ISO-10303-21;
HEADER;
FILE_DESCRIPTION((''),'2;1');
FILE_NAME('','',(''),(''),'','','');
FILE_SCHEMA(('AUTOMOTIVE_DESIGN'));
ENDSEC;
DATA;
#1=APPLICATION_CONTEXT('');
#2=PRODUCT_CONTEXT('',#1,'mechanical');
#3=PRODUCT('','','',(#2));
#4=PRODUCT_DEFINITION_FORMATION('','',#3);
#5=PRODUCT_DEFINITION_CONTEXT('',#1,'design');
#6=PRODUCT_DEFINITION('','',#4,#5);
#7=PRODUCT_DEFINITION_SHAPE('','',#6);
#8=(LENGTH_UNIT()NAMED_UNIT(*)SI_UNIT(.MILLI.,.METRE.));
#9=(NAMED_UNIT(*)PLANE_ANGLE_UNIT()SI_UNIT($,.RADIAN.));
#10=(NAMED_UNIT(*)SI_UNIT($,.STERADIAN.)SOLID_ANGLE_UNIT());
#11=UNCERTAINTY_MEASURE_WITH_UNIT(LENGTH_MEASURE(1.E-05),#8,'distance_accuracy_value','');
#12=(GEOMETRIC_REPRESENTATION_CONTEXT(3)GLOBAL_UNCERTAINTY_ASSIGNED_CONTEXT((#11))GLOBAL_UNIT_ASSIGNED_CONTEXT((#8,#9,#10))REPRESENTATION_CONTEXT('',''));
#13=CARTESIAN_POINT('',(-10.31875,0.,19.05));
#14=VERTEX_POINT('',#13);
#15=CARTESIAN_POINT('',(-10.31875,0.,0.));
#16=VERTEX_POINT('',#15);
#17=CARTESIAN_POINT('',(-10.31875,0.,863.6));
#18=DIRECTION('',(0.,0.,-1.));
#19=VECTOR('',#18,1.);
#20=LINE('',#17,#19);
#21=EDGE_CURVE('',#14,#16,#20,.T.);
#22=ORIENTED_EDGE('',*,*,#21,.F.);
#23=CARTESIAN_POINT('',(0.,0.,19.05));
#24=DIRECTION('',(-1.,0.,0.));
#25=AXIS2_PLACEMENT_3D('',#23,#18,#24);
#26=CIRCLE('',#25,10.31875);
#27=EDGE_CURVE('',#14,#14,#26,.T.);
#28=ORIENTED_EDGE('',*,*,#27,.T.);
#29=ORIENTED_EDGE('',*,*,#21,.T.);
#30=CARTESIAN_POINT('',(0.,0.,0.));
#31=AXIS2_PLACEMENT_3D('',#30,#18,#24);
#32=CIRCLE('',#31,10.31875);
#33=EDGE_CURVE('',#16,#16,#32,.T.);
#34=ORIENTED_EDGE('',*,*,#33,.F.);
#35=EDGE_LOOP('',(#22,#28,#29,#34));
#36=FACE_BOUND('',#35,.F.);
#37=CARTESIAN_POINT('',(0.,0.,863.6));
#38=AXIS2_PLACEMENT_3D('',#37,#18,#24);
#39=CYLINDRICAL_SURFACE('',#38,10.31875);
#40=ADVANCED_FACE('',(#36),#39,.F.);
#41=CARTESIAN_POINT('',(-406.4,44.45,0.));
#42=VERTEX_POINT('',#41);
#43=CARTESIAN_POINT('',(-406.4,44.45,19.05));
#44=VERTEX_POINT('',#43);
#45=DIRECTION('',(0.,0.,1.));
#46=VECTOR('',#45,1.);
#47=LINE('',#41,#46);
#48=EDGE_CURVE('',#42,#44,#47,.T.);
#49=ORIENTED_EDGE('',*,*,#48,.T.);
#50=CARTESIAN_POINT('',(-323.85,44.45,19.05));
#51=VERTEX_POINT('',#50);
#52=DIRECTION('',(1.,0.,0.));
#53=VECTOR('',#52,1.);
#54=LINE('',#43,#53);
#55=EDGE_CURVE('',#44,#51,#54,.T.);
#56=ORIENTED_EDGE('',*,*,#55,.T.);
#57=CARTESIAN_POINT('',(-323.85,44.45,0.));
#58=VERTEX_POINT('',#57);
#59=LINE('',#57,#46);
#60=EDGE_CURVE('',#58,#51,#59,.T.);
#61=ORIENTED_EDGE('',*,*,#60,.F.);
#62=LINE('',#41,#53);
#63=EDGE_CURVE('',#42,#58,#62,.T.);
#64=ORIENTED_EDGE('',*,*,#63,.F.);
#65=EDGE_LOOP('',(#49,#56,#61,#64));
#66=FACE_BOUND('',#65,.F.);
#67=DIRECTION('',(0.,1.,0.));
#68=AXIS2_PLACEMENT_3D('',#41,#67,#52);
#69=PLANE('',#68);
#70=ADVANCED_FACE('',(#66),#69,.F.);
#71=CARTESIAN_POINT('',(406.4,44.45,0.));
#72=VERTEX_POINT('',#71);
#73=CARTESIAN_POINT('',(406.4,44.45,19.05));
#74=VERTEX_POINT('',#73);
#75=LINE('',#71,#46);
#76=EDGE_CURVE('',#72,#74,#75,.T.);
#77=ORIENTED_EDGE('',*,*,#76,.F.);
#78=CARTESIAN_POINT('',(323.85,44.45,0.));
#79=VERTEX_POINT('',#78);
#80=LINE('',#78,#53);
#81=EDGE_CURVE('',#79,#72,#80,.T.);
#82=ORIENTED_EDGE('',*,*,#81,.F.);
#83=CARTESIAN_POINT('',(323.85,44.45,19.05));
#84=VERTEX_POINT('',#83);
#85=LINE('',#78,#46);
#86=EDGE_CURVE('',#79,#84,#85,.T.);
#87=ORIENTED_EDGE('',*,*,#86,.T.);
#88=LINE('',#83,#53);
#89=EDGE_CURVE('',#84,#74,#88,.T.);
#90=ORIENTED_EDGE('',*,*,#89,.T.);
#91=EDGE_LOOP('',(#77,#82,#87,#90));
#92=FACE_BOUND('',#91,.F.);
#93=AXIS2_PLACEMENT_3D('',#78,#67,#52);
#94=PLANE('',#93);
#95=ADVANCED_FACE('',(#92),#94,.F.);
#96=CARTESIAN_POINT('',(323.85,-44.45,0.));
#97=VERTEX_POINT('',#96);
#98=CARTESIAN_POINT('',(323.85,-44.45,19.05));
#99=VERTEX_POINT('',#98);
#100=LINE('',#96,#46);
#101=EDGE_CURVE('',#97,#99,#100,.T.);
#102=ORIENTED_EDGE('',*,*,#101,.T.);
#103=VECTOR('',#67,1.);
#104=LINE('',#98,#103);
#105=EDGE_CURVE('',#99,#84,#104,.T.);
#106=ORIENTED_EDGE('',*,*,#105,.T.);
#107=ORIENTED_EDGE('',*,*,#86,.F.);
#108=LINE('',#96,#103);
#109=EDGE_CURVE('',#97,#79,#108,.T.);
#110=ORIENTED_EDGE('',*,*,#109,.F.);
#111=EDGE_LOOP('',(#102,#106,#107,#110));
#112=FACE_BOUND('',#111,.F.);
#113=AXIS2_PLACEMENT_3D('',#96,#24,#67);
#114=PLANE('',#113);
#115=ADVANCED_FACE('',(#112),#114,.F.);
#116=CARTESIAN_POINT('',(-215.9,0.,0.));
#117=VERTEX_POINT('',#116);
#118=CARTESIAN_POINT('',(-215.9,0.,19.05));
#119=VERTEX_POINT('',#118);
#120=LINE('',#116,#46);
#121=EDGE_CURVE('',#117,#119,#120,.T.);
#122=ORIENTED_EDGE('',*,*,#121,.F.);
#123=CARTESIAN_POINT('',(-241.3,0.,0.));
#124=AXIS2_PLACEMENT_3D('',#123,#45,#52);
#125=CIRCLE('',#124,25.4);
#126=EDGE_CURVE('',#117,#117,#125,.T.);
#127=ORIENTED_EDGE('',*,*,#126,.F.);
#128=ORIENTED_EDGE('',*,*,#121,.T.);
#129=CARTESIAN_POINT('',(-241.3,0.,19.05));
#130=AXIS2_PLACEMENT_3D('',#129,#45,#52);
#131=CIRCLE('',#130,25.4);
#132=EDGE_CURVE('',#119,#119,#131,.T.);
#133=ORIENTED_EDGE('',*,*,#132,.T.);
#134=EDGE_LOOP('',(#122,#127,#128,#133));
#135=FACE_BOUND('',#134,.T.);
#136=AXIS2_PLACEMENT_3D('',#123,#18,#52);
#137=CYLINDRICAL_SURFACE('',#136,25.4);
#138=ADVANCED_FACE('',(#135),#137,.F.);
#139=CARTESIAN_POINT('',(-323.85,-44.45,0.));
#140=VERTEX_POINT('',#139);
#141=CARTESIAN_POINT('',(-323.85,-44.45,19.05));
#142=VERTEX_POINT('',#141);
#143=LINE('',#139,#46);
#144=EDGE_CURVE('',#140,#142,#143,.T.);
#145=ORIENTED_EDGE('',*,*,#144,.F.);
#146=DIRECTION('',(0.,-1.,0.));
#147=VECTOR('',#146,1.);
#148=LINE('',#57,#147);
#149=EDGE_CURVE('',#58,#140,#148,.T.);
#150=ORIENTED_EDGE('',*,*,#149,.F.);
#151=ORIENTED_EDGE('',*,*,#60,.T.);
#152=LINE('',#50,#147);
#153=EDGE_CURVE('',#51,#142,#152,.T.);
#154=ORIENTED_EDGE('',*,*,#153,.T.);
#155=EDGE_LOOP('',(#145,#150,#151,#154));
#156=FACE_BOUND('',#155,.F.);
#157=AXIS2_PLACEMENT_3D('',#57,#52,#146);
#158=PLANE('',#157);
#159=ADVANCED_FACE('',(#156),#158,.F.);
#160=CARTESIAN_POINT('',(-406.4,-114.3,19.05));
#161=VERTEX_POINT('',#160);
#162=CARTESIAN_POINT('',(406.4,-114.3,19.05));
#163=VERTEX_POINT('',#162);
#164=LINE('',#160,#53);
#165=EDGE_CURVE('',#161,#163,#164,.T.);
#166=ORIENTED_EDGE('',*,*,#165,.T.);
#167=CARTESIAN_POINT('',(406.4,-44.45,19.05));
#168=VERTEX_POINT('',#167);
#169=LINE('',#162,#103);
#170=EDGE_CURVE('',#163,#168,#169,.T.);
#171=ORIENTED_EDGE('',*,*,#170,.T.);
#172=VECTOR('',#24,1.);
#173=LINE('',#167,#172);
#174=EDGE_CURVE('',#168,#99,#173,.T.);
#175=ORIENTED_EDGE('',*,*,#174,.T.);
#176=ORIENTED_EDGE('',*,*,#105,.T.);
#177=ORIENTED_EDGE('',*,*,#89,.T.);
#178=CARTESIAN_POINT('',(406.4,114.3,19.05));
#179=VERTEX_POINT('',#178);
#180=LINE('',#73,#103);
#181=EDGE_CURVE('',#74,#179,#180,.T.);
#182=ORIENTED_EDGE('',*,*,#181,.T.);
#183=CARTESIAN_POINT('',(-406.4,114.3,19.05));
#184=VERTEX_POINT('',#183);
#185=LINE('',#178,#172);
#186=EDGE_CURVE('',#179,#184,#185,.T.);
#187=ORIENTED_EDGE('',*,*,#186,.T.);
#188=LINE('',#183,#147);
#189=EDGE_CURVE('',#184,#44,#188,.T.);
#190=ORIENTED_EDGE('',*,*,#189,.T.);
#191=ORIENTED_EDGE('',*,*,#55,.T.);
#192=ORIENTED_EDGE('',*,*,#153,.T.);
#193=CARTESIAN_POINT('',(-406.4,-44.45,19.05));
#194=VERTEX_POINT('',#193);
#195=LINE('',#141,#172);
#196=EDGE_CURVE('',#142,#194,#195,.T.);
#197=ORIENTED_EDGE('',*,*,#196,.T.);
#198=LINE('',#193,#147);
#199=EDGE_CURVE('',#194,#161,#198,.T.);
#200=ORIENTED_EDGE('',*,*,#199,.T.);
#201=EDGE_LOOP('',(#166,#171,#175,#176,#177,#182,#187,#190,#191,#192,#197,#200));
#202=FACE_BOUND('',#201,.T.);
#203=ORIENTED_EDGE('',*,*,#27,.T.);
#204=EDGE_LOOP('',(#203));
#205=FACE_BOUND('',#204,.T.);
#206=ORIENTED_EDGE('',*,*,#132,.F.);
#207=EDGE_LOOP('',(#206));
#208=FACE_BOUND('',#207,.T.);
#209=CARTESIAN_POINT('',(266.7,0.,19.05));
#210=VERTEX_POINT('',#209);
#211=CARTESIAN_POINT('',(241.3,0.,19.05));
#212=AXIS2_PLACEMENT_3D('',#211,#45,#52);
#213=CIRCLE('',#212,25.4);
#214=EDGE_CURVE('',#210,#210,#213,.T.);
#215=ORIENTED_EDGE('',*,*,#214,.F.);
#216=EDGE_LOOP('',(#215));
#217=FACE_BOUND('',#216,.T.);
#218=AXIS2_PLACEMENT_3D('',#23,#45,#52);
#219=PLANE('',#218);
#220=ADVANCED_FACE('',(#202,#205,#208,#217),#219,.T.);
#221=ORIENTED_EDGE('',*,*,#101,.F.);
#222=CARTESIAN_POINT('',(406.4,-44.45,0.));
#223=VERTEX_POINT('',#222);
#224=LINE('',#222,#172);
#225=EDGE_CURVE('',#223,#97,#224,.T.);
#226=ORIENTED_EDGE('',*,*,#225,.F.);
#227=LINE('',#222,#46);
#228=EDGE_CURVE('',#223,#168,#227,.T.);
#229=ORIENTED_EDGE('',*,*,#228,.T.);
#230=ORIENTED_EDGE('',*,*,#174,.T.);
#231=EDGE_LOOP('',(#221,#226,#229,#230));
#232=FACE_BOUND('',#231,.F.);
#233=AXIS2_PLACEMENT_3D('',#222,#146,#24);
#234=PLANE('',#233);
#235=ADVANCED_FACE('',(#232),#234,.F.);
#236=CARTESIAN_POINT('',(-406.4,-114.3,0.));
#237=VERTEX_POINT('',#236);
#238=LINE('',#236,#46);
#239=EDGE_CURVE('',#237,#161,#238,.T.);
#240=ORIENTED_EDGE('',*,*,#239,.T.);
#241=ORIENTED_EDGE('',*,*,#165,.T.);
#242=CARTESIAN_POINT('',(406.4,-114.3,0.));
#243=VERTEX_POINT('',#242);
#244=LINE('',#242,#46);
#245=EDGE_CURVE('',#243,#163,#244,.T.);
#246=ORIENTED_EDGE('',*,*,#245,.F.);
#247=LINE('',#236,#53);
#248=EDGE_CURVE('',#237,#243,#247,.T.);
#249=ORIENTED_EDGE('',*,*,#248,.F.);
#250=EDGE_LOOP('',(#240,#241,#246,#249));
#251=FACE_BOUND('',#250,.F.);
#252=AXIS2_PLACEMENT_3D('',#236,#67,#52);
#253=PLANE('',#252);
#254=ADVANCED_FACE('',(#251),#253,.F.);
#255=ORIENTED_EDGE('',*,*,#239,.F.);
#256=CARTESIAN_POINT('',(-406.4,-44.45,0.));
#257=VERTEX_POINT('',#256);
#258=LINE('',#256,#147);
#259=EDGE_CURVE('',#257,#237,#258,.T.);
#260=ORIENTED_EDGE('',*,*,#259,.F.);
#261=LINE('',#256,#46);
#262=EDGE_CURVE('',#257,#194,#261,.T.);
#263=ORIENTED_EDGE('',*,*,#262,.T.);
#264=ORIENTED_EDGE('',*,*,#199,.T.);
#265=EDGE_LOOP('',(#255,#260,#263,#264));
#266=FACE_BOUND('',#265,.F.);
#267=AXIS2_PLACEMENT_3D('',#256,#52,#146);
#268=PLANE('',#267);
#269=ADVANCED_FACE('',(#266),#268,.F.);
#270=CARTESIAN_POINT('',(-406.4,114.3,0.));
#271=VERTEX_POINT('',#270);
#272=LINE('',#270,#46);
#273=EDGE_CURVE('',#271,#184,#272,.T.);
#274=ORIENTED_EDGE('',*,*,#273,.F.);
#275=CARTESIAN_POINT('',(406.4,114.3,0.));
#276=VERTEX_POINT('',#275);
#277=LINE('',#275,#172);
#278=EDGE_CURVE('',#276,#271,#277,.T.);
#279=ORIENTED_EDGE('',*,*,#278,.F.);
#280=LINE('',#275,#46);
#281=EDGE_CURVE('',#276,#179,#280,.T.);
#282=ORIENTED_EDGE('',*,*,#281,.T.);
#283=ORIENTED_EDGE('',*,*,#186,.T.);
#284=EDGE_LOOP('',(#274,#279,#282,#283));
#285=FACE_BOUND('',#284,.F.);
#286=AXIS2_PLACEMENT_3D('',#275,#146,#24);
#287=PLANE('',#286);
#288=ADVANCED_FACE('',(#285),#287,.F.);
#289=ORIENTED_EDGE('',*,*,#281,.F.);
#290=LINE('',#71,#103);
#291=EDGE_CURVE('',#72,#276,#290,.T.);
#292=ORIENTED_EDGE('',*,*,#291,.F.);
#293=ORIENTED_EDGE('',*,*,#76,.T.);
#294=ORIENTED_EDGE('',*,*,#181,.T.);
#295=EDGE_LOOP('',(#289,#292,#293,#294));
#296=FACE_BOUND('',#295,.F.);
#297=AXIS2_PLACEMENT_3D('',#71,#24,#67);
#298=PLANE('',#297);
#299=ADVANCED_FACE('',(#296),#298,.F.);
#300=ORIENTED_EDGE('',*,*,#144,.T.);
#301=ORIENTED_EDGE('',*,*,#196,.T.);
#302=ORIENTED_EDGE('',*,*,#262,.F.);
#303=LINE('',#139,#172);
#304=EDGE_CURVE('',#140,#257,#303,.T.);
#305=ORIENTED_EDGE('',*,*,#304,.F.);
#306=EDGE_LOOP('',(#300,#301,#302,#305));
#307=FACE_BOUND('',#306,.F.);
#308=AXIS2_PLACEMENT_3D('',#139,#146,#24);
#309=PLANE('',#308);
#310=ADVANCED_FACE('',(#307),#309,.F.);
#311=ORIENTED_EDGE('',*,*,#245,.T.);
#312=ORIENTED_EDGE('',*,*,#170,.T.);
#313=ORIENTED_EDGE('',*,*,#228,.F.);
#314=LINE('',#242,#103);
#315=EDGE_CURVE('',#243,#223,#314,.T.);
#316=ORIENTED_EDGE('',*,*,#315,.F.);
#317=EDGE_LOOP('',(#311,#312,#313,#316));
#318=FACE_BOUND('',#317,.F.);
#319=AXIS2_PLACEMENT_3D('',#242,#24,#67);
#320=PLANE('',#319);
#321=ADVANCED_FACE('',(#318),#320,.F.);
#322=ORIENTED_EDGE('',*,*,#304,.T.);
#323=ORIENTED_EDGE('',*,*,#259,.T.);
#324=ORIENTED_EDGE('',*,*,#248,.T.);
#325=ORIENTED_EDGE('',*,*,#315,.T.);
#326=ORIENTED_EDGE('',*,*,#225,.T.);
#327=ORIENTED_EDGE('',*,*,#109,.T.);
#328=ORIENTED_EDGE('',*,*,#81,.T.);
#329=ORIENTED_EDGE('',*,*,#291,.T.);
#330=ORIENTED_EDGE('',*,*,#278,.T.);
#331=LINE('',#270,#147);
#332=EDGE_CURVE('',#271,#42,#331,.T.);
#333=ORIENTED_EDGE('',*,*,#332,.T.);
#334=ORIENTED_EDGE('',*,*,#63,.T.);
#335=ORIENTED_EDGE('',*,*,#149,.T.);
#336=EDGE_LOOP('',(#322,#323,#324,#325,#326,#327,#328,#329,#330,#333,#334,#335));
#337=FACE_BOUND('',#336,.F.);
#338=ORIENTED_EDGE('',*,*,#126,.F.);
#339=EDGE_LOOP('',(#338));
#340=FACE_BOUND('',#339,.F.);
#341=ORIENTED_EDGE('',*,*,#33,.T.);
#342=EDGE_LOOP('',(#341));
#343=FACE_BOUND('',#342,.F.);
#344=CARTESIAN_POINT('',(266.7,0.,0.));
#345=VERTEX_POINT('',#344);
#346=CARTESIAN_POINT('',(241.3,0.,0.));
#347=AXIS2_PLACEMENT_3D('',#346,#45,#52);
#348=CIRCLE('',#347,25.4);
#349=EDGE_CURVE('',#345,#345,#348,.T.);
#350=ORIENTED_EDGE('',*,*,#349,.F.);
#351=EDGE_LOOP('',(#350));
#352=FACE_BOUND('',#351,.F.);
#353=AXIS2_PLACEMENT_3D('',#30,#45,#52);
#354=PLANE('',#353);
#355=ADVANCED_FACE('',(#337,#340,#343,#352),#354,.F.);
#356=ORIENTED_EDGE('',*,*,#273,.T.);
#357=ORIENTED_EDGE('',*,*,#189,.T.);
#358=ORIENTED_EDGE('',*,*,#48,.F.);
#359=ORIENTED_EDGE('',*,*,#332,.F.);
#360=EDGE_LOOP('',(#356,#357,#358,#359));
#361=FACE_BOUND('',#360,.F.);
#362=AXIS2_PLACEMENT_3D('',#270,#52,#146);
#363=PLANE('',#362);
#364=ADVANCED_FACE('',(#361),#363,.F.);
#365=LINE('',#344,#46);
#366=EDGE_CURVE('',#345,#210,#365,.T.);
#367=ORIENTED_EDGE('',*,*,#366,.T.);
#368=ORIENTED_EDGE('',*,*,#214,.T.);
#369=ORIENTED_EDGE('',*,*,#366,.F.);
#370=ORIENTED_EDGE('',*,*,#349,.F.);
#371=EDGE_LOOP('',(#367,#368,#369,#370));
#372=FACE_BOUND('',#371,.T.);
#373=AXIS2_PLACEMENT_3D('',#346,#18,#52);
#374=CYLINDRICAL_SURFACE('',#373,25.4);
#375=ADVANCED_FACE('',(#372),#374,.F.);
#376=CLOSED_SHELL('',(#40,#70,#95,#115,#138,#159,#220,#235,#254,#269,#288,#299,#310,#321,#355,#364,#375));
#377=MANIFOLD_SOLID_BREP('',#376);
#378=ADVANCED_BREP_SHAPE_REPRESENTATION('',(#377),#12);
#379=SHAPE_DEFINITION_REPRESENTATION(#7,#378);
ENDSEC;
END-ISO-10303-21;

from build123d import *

# Parameters (mm, degrees)
F0_R     = 25.4
F1_DEPTH = 19.05
F3_D     = 20.6375


with BuildPart() as f1:
    # F0 (on Top) → F1 (new body)
    with BuildSketch(Plane.XY):
        Polygon((406.4, 114.3), (-406.4, 114.3), (-406.4, 44.45), (-323.85, 44.45), (-323.85, -44.45), (-406.4, -44.45), (-406.4, -114.3), (406.4, -114.3), (406.4, -44.45), (323.85, -44.45), (323.85, 44.45), (406.4, 44.45), align=None)
        with Locations((-241.3, 0)):
            Circle(F0_R, mode=Mode.SUBTRACT)
        with Locations((241.3, 0)):
            Circle(F0_R, mode=Mode.SUBTRACT)
    extrude(amount=F1_DEPTH)

    # F3 (through all)
    with Locations(Plane.XY.offset(19.05)):
        with Locations((0, 0)):
            Hole(F3_D / 2)


solid = f1.part
